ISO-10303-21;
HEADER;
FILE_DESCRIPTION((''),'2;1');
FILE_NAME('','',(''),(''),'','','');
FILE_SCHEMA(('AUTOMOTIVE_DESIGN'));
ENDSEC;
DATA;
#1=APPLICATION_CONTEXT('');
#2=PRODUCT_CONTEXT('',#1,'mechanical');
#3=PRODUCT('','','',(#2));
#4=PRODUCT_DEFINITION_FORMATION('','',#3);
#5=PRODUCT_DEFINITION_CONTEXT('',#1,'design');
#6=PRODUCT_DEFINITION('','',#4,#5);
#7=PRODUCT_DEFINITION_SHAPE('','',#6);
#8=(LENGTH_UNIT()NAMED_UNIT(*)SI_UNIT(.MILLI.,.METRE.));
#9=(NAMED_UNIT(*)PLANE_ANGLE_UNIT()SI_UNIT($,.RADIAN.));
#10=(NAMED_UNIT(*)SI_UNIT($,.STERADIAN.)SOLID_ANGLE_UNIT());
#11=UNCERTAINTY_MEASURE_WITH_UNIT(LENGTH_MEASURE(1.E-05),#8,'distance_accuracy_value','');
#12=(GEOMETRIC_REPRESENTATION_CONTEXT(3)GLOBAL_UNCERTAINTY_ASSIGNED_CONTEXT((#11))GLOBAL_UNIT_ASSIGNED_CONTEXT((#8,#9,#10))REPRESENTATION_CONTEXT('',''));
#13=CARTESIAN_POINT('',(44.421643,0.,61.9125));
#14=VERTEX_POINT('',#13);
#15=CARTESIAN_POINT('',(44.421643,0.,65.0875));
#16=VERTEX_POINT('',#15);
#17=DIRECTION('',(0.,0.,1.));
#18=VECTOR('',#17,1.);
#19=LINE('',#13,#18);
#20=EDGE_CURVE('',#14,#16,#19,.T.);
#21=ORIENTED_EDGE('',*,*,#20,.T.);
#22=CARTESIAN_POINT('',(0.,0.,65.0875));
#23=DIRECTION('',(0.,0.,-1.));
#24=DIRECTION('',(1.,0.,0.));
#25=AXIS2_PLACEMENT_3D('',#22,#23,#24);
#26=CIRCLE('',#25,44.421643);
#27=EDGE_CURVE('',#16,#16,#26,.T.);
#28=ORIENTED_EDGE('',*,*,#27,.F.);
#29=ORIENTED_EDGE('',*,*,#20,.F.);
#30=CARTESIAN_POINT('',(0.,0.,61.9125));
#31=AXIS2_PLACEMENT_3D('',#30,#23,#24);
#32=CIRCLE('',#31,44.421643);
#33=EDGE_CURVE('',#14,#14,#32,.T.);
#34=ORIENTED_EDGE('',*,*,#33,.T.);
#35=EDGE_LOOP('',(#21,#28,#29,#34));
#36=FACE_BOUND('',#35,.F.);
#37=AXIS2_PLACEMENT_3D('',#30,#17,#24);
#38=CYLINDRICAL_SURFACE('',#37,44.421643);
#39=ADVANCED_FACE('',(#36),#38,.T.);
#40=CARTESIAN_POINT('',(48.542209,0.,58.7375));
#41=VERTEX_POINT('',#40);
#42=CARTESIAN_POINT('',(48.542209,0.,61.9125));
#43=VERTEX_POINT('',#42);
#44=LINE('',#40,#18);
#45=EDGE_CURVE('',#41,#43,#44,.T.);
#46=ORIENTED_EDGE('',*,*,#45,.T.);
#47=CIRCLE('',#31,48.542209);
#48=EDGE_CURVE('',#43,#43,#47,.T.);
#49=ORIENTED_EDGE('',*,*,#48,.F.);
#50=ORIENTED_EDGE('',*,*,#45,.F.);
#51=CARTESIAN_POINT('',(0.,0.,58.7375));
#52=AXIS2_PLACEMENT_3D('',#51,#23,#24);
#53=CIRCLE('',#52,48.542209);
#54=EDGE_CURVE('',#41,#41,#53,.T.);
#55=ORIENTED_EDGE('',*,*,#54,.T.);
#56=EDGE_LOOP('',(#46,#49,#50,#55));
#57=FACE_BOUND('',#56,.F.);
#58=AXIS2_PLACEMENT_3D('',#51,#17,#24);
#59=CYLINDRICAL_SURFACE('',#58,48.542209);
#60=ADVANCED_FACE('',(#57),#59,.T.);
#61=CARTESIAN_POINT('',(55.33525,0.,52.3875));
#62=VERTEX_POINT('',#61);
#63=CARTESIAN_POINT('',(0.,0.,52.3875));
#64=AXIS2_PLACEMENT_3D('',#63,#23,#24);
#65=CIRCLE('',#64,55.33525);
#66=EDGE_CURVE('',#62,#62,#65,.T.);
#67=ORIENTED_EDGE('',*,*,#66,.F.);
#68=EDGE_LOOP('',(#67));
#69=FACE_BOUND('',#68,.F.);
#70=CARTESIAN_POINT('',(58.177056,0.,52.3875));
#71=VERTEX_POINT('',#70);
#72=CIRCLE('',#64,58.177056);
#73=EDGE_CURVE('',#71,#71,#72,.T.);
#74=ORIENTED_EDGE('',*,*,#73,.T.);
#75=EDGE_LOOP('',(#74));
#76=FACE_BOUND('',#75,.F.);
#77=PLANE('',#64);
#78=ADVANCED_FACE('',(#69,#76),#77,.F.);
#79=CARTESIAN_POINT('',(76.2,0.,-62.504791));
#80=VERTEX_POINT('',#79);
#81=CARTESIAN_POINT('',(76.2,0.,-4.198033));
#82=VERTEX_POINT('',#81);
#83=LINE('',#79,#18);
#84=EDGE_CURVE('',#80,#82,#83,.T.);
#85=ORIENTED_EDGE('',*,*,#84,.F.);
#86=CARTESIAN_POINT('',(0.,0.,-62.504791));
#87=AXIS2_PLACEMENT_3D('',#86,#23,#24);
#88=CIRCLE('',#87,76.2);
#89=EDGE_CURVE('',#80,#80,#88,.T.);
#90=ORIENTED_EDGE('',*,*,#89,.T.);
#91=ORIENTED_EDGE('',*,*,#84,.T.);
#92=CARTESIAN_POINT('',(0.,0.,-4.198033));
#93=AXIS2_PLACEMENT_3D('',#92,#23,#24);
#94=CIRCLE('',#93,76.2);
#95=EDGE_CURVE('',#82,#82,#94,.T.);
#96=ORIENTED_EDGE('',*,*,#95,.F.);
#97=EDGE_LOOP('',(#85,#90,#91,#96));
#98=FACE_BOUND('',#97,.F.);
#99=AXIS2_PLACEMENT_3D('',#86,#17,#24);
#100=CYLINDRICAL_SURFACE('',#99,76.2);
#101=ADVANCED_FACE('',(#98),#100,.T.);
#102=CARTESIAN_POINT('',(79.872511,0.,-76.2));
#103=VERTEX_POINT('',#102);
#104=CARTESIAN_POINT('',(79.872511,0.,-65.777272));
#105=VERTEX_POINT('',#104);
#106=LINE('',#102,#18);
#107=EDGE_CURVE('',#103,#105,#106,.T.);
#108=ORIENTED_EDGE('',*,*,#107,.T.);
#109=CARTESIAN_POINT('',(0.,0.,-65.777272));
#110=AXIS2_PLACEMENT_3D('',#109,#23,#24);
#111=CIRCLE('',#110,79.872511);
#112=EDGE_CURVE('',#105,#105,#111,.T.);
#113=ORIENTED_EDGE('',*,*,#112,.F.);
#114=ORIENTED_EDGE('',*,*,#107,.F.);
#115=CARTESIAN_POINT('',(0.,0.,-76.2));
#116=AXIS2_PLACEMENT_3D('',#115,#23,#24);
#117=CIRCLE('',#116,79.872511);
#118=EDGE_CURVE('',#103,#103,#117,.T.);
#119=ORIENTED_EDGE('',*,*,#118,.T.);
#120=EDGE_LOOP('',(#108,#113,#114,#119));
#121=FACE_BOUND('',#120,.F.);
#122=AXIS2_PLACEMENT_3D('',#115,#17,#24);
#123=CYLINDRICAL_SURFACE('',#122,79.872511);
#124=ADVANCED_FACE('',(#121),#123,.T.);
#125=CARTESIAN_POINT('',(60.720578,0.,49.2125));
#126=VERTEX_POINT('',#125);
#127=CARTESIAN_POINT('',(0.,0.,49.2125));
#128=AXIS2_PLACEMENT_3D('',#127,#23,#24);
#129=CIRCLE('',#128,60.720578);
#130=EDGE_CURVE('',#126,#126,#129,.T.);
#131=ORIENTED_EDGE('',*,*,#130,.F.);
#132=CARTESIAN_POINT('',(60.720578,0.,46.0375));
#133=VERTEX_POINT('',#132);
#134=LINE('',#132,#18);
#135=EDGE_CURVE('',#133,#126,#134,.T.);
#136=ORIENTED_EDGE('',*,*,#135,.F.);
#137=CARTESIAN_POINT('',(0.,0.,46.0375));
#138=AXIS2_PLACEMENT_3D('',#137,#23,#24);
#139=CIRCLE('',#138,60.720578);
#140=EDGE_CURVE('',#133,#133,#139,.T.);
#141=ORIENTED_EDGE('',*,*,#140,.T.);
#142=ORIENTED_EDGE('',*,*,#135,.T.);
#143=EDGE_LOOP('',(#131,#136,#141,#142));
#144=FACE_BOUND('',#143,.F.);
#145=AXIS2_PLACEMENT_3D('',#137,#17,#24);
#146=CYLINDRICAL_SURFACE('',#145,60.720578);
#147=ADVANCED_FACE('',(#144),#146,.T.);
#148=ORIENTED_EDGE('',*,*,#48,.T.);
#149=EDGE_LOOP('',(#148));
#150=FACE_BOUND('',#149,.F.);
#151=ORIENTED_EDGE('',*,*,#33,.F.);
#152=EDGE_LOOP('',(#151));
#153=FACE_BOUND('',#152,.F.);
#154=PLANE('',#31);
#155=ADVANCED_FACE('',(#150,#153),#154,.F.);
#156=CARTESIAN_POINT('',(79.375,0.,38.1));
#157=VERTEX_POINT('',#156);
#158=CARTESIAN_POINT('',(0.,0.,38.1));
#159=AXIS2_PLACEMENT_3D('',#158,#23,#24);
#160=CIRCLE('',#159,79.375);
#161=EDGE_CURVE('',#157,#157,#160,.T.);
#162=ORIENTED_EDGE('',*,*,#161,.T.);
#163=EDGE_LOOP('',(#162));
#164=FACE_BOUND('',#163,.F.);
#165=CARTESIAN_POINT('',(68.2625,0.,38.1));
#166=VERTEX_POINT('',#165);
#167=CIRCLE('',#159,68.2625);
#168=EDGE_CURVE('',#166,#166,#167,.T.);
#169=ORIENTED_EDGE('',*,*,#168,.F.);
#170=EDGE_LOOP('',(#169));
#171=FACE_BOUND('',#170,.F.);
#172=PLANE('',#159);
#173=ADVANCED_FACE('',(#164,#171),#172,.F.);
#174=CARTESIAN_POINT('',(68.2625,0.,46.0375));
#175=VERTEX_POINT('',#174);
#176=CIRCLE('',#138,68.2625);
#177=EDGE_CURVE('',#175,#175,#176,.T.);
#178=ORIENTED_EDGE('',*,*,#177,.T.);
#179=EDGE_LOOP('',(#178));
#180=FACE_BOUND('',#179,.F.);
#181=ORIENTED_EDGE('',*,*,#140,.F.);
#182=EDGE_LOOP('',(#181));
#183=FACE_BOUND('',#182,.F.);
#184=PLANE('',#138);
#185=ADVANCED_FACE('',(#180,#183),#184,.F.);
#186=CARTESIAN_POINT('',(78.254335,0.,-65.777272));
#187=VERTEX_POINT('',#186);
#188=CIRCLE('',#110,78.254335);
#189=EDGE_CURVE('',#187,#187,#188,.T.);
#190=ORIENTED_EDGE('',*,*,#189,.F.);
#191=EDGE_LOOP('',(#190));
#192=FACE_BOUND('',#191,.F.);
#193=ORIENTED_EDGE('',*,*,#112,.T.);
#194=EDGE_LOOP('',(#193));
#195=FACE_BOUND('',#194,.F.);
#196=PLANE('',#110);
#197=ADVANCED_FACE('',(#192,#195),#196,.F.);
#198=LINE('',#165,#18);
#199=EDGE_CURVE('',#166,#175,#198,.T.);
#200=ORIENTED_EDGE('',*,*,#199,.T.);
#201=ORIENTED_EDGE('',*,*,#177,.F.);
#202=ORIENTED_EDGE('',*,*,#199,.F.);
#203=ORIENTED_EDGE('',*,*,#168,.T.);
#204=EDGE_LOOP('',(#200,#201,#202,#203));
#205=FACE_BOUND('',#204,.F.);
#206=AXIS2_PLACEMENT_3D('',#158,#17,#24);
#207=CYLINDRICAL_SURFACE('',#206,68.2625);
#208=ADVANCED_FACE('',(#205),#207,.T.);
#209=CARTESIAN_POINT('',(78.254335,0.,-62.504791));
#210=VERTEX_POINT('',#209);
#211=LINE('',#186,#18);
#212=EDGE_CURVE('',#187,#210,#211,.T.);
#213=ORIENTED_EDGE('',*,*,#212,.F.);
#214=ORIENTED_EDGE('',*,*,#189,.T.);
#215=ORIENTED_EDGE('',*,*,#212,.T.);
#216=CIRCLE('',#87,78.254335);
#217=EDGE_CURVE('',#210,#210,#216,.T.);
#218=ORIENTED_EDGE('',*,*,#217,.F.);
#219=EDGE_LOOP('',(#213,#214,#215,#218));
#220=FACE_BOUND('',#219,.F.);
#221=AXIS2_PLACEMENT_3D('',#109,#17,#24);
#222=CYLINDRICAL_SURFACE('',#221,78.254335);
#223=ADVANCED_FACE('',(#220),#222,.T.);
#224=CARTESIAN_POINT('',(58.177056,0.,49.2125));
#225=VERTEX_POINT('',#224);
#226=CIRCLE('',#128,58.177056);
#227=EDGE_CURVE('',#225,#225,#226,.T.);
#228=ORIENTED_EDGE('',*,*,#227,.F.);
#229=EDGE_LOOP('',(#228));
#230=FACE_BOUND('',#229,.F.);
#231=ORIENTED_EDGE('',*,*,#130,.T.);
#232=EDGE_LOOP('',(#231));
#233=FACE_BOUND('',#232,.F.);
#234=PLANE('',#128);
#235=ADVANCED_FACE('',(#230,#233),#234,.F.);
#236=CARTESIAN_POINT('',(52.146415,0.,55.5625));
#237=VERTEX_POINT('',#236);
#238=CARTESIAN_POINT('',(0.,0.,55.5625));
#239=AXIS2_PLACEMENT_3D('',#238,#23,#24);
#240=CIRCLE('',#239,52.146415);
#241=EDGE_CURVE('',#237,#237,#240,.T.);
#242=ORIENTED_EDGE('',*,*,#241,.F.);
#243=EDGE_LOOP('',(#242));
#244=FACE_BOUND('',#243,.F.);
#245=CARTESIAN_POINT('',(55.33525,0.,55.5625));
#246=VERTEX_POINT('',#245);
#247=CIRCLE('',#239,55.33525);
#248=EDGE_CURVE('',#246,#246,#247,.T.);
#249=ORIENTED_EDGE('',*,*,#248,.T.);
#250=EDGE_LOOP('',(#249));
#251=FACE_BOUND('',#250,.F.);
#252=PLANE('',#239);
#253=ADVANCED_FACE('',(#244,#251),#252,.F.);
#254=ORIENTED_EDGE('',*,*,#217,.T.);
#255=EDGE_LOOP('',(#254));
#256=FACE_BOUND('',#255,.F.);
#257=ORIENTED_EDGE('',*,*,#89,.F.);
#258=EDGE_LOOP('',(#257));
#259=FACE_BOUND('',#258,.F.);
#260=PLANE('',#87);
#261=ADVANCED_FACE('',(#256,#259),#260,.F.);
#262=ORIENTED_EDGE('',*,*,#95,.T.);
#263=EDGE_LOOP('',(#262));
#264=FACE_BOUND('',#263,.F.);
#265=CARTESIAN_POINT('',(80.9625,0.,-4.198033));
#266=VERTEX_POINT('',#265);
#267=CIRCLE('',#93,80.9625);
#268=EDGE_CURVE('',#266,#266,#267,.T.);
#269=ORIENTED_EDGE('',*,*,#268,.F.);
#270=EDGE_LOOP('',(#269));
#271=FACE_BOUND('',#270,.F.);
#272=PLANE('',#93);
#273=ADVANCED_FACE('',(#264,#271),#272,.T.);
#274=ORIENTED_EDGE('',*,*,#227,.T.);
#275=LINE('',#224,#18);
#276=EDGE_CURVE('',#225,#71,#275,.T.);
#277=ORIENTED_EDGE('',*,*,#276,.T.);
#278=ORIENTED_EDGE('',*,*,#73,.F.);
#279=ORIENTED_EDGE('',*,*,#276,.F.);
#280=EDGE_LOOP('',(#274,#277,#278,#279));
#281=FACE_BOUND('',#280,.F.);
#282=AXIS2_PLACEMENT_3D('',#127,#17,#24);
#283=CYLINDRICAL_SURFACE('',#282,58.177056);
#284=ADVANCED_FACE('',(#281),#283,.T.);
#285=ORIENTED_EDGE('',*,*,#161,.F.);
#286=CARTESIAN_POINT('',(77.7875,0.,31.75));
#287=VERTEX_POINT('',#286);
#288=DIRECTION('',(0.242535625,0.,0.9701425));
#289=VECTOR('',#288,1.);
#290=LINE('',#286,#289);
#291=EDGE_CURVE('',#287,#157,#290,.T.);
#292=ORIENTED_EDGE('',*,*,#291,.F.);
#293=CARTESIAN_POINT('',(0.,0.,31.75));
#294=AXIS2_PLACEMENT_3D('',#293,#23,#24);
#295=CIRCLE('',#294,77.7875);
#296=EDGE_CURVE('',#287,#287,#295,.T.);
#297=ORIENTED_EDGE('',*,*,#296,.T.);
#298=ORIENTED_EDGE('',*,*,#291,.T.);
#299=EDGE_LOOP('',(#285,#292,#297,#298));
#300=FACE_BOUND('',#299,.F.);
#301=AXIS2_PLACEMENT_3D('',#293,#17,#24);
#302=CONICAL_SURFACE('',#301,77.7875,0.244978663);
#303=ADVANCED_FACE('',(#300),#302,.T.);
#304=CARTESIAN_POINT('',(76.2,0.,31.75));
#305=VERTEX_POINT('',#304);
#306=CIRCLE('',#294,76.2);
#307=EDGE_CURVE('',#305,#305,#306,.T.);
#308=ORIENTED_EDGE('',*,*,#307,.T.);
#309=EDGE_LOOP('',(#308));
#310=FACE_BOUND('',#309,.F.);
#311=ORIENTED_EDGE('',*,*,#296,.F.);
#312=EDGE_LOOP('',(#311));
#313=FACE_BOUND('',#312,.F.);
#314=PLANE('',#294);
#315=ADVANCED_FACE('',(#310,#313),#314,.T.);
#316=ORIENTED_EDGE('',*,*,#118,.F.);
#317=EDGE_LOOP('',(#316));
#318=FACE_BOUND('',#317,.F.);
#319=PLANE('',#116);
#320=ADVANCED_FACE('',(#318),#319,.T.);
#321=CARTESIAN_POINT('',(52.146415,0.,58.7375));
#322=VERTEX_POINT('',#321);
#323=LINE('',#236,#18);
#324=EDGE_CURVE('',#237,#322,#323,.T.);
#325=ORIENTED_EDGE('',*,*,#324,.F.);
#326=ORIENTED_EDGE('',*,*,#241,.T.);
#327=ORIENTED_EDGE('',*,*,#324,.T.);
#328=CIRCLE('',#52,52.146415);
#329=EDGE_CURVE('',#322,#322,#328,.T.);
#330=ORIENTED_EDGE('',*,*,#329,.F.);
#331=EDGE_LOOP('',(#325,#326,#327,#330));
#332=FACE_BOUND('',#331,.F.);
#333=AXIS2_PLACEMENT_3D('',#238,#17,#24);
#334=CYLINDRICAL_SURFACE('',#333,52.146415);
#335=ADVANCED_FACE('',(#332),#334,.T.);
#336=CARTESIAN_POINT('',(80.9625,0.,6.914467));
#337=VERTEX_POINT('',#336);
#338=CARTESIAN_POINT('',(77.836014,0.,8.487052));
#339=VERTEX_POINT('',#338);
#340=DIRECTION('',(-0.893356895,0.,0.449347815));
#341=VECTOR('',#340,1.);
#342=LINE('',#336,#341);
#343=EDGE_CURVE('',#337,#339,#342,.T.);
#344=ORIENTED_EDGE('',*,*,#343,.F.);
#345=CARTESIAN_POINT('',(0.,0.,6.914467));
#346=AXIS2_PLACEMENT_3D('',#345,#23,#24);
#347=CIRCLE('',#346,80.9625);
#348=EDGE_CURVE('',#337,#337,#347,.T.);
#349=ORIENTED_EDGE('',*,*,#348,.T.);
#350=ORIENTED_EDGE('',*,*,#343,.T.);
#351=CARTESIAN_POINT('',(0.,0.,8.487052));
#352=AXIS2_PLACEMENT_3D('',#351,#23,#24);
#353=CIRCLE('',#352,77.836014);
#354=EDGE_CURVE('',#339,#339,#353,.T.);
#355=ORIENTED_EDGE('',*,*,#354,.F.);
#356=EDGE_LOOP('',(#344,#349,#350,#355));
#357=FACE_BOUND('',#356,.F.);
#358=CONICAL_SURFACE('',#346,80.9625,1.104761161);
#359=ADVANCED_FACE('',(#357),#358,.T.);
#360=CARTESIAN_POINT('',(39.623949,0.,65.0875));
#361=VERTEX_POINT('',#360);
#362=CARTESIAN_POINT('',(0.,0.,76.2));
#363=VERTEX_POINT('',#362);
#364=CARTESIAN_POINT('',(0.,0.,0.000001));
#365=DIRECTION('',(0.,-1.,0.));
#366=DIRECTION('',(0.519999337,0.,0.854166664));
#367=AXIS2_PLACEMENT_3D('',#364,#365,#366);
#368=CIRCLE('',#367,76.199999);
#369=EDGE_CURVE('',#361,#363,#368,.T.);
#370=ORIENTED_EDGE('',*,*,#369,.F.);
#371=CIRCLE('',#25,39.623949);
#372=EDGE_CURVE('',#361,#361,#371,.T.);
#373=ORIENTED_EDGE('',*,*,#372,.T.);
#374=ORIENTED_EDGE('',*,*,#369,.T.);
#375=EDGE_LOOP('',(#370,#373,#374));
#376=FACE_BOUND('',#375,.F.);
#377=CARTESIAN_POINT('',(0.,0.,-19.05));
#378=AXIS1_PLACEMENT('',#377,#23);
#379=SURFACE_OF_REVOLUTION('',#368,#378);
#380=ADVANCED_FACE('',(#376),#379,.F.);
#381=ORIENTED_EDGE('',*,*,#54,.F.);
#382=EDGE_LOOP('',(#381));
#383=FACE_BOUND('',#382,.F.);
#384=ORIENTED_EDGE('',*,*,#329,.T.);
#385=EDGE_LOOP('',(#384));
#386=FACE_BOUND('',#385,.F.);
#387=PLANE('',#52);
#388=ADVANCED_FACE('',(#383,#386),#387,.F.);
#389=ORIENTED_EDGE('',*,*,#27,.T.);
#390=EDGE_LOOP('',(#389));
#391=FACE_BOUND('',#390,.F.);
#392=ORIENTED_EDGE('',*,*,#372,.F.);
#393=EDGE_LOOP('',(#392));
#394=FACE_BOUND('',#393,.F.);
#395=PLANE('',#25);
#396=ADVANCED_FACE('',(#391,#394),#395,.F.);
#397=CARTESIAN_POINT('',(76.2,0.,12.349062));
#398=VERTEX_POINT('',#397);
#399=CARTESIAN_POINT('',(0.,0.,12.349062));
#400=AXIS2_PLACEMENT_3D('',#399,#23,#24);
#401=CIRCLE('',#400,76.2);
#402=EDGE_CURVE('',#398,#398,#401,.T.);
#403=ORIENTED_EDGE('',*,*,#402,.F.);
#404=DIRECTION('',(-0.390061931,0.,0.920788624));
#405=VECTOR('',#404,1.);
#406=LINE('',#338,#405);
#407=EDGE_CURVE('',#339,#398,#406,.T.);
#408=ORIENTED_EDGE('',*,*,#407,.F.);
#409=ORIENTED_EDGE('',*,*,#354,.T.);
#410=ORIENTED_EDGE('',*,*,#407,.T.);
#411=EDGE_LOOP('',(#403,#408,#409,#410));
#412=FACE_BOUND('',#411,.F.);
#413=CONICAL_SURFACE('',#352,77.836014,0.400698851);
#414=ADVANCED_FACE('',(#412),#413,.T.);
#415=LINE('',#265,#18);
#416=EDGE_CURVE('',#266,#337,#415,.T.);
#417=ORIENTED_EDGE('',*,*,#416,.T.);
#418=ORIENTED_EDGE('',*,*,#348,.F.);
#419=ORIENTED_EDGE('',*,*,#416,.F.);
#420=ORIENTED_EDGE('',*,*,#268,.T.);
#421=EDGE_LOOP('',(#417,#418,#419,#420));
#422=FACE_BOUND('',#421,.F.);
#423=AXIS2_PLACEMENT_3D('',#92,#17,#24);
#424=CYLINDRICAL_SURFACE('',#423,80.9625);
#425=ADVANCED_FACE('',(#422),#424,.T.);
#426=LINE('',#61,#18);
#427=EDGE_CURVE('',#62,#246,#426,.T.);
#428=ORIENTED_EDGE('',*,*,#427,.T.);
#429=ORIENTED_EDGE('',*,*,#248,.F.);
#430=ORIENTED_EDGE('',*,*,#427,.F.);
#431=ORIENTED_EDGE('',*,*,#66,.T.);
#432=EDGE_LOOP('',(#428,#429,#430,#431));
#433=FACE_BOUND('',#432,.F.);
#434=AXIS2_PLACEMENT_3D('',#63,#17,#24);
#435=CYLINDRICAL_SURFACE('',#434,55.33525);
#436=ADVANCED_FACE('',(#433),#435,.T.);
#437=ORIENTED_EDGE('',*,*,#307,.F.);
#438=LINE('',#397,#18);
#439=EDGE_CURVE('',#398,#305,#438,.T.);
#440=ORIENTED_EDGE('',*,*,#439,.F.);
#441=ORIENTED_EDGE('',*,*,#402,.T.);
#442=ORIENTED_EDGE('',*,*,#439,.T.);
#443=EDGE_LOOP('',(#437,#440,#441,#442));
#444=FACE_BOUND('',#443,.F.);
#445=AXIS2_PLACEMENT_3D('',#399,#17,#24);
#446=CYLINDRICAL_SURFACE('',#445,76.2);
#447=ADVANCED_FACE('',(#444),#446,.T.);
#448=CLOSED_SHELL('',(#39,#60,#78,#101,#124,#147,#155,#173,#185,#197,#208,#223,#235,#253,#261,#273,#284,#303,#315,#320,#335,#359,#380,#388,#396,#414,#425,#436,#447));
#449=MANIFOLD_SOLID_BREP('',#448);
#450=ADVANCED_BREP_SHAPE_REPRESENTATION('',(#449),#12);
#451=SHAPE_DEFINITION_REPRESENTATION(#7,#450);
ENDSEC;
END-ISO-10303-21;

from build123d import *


with BuildPart() as f1:
    # F0 (on Front) → F1 (revolve)
    with BuildSketch(Plane.XZ):
        with BuildLine():
            Line((0, 76.2), (0, 38.1))
            Line((0, 38.1), (0, -76.2))
            Line((0, -76.2), (79.872511, -76.2))
            Line((79.872511, -76.2), (79.872511, -65.777272))
            Line((79.872511, -65.777272), (78.254335, -65.777272))
            Line((78.254335, -65.777272), (78.254335, -62.504791))
            Line((78.254335, -62.504791), (76.2, -62.504791))
            Line((76.2, -62.504791), (76.2, -4.198033))
            Line((76.2, -4.198033), (80.9625, -4.198033))
            Line((80.9625, -4.198033), (80.9625, 6.914467))
            Line((80.9625, 6.914467), (77.836014, 8.487052))
            Line((77.836014, 8.487052), (76.2, 12.349062))
            Line((76.2, 12.349062), (76.2, 31.75))
            Line((76.2, 31.75), (77.7875, 31.75))
            Line((77.7875, 31.75), (79.375, 38.1))
            Line((79.375, 38.1), (68.2625, 38.1))
            Line((68.2625, 38.1), (68.2625, 46.0375))
            Line((68.2625, 46.0375), (60.720578, 46.0375))
            Line((60.720578, 46.0375), (60.720578, 49.2125))
            Line((60.720578, 49.2125), (58.177056, 49.2125))
            Line((58.177056, 49.2125), (58.177056, 52.3875))
            Line((58.177056, 52.3875), (55.33525, 52.3875))
            Line((55.33525, 52.3875), (55.33525, 55.5625))
            Line((55.33525, 55.5625), (52.146415, 55.5625))
            Line((52.146415, 55.5625), (52.146415, 58.7375))
            Line((52.146415, 58.7375), (48.542209, 58.7375))
            Line((48.542209, 58.7375), (48.542209, 61.9125))
            Line((48.542209, 61.9125), (44.421643, 61.9125))
            Line((44.421643, 61.9125), (44.421643, 65.0875))
            Line((44.421643, 65.0875), (39.623949, 65.0875))
            ThreePointArc((39.623949, 65.0875), (20.576352, 73.369297), (0, 76.2))
        make_face()
    revolve(axis=Axis((0, 0, -19.05), (0, 0, -1)))


solid = f1.part
